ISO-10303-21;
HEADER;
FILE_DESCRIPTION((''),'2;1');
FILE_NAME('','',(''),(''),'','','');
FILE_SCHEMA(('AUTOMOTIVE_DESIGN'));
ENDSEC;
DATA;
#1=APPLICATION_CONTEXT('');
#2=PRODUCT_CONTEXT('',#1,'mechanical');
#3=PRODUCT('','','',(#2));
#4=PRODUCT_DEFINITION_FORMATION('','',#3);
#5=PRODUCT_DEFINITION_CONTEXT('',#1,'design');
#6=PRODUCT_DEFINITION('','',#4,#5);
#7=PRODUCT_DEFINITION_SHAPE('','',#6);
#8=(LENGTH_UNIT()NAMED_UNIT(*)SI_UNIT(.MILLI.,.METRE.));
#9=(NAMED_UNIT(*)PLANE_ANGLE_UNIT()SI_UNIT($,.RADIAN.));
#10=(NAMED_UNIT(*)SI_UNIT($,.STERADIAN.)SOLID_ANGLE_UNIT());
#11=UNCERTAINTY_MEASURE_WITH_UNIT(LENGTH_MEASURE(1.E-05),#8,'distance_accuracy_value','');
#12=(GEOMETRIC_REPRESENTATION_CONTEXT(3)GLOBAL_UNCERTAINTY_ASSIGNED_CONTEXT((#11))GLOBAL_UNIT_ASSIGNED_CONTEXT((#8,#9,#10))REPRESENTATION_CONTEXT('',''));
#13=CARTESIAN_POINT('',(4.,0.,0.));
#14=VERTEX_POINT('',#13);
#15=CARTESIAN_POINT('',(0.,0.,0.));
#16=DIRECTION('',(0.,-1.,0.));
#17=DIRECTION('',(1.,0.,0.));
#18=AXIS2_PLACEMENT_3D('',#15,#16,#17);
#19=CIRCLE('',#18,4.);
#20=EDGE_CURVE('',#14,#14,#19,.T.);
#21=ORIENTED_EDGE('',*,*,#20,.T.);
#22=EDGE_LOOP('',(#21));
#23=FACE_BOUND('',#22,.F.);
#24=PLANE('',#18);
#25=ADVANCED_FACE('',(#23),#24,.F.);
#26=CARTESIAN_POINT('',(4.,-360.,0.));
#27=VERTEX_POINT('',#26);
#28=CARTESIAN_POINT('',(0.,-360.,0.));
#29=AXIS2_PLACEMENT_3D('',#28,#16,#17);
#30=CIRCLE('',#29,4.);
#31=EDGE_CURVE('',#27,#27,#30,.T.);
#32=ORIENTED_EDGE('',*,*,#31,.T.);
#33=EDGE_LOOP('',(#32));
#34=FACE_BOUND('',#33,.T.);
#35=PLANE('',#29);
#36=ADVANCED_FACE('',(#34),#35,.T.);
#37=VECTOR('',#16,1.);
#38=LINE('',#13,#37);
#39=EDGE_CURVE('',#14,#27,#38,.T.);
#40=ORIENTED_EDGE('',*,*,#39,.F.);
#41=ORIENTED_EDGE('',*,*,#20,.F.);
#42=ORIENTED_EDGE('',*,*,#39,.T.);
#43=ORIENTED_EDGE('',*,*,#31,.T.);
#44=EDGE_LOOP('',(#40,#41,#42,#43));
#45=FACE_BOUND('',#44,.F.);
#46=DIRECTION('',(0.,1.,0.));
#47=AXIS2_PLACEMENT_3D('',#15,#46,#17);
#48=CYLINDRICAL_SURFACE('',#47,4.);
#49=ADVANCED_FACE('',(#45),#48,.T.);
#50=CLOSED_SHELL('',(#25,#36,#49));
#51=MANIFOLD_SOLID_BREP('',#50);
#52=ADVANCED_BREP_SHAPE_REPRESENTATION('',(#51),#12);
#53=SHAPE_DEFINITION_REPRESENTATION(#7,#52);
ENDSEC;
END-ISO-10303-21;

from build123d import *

# Parameters (mm, degrees)
SKETCH_R  = 4
PAD_DEPTH = 360


with BuildPart() as part:
    # Sketch → Pad (new body)
    with BuildSketch(Plane.XZ):
        Circle(SKETCH_R)
    extrude(amount=PAD_DEPTH)


solid = part.part
